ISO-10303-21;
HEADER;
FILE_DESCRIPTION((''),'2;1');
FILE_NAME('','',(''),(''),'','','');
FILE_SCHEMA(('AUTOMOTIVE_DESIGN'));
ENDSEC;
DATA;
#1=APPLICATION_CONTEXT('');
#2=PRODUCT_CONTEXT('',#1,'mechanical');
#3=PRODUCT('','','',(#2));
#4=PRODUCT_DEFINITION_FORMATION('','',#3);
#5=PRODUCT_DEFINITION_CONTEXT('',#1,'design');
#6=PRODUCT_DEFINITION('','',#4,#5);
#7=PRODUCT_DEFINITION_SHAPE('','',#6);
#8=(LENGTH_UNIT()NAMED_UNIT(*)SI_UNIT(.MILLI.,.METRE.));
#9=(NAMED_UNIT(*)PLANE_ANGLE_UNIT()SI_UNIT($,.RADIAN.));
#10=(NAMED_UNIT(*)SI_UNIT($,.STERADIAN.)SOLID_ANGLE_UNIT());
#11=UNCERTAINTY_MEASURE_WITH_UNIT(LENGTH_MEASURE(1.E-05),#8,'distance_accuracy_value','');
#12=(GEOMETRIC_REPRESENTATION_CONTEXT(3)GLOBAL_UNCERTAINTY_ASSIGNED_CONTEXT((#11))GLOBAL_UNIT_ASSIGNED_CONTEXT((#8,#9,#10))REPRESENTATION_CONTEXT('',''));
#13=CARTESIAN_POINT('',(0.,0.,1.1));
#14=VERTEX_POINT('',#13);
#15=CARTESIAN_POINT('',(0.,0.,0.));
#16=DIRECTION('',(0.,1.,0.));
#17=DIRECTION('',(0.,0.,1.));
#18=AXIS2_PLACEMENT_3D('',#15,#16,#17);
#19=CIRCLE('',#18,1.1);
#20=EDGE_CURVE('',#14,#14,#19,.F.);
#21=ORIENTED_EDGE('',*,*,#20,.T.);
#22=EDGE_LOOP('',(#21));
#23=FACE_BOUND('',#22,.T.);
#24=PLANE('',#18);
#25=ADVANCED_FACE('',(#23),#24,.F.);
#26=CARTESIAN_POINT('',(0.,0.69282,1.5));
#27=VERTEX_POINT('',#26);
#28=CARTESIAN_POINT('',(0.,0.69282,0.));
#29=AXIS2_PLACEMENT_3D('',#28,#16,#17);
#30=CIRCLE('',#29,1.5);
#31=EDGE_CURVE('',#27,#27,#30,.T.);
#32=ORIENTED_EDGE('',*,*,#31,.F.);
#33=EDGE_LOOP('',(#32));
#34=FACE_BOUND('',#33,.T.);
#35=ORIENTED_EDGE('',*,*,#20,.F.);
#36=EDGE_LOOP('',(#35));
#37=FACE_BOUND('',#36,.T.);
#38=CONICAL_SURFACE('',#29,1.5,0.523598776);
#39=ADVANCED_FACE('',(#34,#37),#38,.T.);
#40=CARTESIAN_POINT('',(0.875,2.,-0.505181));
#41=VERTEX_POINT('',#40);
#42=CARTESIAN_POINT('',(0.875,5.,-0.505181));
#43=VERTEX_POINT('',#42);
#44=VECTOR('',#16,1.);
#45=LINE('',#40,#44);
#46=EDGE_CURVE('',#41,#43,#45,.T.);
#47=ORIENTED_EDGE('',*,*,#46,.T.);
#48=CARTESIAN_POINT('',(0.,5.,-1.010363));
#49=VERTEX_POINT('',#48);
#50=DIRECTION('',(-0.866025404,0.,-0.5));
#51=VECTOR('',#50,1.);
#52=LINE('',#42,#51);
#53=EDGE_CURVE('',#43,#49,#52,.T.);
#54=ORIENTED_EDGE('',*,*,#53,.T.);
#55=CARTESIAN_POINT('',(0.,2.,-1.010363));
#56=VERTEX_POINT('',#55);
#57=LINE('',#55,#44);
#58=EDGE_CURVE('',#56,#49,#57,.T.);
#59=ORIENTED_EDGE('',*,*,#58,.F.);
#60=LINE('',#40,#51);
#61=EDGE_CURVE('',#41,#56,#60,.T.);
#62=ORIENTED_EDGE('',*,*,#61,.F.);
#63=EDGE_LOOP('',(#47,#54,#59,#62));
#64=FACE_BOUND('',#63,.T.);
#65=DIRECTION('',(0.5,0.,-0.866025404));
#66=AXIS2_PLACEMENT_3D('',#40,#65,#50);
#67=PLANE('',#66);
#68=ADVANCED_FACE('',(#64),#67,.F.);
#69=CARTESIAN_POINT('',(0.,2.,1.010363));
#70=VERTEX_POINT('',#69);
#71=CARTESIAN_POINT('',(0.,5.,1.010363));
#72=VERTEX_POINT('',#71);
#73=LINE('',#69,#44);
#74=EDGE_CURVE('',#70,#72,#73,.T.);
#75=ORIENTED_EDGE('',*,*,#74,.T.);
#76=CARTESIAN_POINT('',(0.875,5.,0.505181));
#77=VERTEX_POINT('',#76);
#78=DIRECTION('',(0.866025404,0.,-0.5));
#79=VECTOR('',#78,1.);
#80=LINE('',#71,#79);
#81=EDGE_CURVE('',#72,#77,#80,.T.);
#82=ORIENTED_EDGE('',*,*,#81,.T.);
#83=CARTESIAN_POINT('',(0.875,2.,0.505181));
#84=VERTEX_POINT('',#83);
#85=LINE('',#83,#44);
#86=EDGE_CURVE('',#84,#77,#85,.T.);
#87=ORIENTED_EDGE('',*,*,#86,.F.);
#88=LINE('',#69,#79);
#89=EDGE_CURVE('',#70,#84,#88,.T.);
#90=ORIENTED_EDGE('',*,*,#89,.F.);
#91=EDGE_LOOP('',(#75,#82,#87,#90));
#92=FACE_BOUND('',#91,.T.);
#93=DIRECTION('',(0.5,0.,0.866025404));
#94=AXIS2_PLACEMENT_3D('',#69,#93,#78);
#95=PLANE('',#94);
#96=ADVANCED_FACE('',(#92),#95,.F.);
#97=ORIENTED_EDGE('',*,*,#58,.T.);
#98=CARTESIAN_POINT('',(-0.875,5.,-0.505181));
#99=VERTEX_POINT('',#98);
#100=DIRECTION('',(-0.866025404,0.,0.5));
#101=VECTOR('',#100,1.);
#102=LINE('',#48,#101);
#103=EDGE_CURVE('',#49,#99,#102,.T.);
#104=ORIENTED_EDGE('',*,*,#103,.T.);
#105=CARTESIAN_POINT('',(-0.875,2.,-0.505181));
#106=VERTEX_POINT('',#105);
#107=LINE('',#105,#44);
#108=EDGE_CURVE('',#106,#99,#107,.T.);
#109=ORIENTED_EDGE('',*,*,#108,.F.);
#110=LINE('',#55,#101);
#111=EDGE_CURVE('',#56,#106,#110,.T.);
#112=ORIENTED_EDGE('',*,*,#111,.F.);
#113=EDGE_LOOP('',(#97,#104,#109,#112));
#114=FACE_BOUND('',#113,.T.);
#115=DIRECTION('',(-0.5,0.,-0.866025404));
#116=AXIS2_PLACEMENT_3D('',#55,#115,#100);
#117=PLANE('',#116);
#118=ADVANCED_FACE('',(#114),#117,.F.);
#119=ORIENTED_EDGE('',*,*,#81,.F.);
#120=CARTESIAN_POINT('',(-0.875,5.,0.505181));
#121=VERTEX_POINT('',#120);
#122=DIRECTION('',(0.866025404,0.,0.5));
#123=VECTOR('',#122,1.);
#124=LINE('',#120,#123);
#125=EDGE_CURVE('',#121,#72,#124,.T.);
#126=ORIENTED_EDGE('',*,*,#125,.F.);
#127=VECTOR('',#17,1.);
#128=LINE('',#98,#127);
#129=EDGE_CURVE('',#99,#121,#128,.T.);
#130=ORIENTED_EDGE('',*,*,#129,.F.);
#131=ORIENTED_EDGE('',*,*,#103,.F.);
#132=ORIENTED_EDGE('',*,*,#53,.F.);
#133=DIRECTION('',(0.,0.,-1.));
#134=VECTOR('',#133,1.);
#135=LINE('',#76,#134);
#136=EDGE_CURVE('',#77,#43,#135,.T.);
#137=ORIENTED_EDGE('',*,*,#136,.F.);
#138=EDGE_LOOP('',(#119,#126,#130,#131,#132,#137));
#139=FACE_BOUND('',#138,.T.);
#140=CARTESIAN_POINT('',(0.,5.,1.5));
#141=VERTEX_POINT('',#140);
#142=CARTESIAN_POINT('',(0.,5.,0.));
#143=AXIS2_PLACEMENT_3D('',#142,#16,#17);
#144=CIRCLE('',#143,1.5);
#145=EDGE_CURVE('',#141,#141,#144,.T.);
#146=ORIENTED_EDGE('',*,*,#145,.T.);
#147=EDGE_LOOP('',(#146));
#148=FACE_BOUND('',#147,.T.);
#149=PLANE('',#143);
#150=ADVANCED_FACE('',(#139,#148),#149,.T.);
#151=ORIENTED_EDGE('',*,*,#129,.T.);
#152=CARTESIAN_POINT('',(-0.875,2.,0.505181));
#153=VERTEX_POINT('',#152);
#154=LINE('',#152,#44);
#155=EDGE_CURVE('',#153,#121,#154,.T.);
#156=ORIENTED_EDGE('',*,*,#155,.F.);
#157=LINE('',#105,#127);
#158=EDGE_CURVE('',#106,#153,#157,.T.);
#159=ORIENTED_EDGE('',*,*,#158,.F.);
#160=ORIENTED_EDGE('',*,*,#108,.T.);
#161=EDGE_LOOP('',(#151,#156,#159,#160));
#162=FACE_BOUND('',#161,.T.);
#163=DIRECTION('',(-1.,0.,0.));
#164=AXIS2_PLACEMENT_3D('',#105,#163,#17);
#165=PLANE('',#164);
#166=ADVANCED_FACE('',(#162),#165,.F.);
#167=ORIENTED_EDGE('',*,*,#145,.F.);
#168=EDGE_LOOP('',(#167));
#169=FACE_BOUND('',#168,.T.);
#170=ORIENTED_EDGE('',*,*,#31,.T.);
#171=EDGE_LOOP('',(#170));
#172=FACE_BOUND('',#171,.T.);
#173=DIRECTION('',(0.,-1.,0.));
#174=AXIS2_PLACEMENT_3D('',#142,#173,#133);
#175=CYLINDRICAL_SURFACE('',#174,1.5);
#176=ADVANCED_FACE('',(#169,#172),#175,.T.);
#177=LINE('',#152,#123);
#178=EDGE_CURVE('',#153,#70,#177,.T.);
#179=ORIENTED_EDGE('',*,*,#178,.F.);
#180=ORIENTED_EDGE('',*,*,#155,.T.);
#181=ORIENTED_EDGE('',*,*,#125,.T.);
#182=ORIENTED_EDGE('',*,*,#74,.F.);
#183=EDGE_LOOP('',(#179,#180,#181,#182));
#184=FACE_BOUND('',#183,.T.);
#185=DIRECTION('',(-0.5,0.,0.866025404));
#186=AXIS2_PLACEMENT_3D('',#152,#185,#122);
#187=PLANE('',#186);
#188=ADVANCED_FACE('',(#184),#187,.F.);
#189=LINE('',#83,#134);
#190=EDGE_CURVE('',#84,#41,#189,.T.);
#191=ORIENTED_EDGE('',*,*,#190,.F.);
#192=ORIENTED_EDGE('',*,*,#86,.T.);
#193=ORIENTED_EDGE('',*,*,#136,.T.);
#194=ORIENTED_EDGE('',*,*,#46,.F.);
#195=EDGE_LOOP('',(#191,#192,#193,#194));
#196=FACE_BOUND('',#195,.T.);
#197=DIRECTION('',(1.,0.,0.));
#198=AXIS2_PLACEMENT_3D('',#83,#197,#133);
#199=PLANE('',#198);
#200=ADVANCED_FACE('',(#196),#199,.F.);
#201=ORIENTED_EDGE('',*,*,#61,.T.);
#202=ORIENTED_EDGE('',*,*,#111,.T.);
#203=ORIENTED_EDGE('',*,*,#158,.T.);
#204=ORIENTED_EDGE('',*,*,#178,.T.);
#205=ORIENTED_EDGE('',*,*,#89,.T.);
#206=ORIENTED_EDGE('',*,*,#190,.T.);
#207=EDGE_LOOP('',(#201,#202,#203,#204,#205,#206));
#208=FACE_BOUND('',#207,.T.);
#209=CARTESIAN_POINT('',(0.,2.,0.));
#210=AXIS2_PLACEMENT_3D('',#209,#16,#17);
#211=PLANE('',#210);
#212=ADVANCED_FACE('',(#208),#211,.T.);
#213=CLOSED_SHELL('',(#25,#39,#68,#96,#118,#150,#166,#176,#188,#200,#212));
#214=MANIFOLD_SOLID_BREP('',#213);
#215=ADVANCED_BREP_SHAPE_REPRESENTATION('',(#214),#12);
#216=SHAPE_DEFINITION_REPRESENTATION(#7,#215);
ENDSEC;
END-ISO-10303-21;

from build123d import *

# Parameters (mm, degrees)
SKETCH1_R           = 1.5
BOSS_EXTRUDE1_DEPTH = 5
CHAMFER1_SIZE       = 0.4
CHAMFER1_SIZE2      = 0.692820323
CUT_EXTRUDE1_DEPTH  = 3


with BuildPart() as part:
    # Sketch1 → Boss-Extrude1 (new body)
    with BuildSketch(Plane(origin=(0, 0, 0), x_dir=(1, 0, 0), z_dir=(0, 1, 0))):
        with Locations(Location((0, 0, 0), (0, 0, 270))):
            Circle(SKETCH1_R)
    extrude(amount=BOSS_EXTRUDE1_DEPTH)

    # Chamfer1
    chamfer1_edges = [part.edges().sort_by_distance(p)[0] for p in [
        (0, 0, -1.5),
    ]]
    chamfer1_side = [part.faces().sort_by_distance(p)[0] for p in [
        (0, 0, 0),
    ]]
    chamfer(chamfer1_edges, length=CHAMFER1_SIZE, length2=CHAMFER1_SIZE2, reference=chamfer1_side[0])

    # Sketch2 → Cut-Extrude1 (cut)
    with BuildSketch(Plane(origin=(0, 5, 0), x_dir=(1, 0, 0), z_dir=(0, 1, 0))):
        Polygon((0.875, -0.505181486), (0.875, 0.505181486), (0, 1.010362971), (-0.875, 0.505181486), (-0.875, -0.505181486), (0, -1.010362971), align=None)
    extrude(amount=-CUT_EXTRUDE1_DEPTH, mode=Mode.SUBTRACT)


solid = part.part
